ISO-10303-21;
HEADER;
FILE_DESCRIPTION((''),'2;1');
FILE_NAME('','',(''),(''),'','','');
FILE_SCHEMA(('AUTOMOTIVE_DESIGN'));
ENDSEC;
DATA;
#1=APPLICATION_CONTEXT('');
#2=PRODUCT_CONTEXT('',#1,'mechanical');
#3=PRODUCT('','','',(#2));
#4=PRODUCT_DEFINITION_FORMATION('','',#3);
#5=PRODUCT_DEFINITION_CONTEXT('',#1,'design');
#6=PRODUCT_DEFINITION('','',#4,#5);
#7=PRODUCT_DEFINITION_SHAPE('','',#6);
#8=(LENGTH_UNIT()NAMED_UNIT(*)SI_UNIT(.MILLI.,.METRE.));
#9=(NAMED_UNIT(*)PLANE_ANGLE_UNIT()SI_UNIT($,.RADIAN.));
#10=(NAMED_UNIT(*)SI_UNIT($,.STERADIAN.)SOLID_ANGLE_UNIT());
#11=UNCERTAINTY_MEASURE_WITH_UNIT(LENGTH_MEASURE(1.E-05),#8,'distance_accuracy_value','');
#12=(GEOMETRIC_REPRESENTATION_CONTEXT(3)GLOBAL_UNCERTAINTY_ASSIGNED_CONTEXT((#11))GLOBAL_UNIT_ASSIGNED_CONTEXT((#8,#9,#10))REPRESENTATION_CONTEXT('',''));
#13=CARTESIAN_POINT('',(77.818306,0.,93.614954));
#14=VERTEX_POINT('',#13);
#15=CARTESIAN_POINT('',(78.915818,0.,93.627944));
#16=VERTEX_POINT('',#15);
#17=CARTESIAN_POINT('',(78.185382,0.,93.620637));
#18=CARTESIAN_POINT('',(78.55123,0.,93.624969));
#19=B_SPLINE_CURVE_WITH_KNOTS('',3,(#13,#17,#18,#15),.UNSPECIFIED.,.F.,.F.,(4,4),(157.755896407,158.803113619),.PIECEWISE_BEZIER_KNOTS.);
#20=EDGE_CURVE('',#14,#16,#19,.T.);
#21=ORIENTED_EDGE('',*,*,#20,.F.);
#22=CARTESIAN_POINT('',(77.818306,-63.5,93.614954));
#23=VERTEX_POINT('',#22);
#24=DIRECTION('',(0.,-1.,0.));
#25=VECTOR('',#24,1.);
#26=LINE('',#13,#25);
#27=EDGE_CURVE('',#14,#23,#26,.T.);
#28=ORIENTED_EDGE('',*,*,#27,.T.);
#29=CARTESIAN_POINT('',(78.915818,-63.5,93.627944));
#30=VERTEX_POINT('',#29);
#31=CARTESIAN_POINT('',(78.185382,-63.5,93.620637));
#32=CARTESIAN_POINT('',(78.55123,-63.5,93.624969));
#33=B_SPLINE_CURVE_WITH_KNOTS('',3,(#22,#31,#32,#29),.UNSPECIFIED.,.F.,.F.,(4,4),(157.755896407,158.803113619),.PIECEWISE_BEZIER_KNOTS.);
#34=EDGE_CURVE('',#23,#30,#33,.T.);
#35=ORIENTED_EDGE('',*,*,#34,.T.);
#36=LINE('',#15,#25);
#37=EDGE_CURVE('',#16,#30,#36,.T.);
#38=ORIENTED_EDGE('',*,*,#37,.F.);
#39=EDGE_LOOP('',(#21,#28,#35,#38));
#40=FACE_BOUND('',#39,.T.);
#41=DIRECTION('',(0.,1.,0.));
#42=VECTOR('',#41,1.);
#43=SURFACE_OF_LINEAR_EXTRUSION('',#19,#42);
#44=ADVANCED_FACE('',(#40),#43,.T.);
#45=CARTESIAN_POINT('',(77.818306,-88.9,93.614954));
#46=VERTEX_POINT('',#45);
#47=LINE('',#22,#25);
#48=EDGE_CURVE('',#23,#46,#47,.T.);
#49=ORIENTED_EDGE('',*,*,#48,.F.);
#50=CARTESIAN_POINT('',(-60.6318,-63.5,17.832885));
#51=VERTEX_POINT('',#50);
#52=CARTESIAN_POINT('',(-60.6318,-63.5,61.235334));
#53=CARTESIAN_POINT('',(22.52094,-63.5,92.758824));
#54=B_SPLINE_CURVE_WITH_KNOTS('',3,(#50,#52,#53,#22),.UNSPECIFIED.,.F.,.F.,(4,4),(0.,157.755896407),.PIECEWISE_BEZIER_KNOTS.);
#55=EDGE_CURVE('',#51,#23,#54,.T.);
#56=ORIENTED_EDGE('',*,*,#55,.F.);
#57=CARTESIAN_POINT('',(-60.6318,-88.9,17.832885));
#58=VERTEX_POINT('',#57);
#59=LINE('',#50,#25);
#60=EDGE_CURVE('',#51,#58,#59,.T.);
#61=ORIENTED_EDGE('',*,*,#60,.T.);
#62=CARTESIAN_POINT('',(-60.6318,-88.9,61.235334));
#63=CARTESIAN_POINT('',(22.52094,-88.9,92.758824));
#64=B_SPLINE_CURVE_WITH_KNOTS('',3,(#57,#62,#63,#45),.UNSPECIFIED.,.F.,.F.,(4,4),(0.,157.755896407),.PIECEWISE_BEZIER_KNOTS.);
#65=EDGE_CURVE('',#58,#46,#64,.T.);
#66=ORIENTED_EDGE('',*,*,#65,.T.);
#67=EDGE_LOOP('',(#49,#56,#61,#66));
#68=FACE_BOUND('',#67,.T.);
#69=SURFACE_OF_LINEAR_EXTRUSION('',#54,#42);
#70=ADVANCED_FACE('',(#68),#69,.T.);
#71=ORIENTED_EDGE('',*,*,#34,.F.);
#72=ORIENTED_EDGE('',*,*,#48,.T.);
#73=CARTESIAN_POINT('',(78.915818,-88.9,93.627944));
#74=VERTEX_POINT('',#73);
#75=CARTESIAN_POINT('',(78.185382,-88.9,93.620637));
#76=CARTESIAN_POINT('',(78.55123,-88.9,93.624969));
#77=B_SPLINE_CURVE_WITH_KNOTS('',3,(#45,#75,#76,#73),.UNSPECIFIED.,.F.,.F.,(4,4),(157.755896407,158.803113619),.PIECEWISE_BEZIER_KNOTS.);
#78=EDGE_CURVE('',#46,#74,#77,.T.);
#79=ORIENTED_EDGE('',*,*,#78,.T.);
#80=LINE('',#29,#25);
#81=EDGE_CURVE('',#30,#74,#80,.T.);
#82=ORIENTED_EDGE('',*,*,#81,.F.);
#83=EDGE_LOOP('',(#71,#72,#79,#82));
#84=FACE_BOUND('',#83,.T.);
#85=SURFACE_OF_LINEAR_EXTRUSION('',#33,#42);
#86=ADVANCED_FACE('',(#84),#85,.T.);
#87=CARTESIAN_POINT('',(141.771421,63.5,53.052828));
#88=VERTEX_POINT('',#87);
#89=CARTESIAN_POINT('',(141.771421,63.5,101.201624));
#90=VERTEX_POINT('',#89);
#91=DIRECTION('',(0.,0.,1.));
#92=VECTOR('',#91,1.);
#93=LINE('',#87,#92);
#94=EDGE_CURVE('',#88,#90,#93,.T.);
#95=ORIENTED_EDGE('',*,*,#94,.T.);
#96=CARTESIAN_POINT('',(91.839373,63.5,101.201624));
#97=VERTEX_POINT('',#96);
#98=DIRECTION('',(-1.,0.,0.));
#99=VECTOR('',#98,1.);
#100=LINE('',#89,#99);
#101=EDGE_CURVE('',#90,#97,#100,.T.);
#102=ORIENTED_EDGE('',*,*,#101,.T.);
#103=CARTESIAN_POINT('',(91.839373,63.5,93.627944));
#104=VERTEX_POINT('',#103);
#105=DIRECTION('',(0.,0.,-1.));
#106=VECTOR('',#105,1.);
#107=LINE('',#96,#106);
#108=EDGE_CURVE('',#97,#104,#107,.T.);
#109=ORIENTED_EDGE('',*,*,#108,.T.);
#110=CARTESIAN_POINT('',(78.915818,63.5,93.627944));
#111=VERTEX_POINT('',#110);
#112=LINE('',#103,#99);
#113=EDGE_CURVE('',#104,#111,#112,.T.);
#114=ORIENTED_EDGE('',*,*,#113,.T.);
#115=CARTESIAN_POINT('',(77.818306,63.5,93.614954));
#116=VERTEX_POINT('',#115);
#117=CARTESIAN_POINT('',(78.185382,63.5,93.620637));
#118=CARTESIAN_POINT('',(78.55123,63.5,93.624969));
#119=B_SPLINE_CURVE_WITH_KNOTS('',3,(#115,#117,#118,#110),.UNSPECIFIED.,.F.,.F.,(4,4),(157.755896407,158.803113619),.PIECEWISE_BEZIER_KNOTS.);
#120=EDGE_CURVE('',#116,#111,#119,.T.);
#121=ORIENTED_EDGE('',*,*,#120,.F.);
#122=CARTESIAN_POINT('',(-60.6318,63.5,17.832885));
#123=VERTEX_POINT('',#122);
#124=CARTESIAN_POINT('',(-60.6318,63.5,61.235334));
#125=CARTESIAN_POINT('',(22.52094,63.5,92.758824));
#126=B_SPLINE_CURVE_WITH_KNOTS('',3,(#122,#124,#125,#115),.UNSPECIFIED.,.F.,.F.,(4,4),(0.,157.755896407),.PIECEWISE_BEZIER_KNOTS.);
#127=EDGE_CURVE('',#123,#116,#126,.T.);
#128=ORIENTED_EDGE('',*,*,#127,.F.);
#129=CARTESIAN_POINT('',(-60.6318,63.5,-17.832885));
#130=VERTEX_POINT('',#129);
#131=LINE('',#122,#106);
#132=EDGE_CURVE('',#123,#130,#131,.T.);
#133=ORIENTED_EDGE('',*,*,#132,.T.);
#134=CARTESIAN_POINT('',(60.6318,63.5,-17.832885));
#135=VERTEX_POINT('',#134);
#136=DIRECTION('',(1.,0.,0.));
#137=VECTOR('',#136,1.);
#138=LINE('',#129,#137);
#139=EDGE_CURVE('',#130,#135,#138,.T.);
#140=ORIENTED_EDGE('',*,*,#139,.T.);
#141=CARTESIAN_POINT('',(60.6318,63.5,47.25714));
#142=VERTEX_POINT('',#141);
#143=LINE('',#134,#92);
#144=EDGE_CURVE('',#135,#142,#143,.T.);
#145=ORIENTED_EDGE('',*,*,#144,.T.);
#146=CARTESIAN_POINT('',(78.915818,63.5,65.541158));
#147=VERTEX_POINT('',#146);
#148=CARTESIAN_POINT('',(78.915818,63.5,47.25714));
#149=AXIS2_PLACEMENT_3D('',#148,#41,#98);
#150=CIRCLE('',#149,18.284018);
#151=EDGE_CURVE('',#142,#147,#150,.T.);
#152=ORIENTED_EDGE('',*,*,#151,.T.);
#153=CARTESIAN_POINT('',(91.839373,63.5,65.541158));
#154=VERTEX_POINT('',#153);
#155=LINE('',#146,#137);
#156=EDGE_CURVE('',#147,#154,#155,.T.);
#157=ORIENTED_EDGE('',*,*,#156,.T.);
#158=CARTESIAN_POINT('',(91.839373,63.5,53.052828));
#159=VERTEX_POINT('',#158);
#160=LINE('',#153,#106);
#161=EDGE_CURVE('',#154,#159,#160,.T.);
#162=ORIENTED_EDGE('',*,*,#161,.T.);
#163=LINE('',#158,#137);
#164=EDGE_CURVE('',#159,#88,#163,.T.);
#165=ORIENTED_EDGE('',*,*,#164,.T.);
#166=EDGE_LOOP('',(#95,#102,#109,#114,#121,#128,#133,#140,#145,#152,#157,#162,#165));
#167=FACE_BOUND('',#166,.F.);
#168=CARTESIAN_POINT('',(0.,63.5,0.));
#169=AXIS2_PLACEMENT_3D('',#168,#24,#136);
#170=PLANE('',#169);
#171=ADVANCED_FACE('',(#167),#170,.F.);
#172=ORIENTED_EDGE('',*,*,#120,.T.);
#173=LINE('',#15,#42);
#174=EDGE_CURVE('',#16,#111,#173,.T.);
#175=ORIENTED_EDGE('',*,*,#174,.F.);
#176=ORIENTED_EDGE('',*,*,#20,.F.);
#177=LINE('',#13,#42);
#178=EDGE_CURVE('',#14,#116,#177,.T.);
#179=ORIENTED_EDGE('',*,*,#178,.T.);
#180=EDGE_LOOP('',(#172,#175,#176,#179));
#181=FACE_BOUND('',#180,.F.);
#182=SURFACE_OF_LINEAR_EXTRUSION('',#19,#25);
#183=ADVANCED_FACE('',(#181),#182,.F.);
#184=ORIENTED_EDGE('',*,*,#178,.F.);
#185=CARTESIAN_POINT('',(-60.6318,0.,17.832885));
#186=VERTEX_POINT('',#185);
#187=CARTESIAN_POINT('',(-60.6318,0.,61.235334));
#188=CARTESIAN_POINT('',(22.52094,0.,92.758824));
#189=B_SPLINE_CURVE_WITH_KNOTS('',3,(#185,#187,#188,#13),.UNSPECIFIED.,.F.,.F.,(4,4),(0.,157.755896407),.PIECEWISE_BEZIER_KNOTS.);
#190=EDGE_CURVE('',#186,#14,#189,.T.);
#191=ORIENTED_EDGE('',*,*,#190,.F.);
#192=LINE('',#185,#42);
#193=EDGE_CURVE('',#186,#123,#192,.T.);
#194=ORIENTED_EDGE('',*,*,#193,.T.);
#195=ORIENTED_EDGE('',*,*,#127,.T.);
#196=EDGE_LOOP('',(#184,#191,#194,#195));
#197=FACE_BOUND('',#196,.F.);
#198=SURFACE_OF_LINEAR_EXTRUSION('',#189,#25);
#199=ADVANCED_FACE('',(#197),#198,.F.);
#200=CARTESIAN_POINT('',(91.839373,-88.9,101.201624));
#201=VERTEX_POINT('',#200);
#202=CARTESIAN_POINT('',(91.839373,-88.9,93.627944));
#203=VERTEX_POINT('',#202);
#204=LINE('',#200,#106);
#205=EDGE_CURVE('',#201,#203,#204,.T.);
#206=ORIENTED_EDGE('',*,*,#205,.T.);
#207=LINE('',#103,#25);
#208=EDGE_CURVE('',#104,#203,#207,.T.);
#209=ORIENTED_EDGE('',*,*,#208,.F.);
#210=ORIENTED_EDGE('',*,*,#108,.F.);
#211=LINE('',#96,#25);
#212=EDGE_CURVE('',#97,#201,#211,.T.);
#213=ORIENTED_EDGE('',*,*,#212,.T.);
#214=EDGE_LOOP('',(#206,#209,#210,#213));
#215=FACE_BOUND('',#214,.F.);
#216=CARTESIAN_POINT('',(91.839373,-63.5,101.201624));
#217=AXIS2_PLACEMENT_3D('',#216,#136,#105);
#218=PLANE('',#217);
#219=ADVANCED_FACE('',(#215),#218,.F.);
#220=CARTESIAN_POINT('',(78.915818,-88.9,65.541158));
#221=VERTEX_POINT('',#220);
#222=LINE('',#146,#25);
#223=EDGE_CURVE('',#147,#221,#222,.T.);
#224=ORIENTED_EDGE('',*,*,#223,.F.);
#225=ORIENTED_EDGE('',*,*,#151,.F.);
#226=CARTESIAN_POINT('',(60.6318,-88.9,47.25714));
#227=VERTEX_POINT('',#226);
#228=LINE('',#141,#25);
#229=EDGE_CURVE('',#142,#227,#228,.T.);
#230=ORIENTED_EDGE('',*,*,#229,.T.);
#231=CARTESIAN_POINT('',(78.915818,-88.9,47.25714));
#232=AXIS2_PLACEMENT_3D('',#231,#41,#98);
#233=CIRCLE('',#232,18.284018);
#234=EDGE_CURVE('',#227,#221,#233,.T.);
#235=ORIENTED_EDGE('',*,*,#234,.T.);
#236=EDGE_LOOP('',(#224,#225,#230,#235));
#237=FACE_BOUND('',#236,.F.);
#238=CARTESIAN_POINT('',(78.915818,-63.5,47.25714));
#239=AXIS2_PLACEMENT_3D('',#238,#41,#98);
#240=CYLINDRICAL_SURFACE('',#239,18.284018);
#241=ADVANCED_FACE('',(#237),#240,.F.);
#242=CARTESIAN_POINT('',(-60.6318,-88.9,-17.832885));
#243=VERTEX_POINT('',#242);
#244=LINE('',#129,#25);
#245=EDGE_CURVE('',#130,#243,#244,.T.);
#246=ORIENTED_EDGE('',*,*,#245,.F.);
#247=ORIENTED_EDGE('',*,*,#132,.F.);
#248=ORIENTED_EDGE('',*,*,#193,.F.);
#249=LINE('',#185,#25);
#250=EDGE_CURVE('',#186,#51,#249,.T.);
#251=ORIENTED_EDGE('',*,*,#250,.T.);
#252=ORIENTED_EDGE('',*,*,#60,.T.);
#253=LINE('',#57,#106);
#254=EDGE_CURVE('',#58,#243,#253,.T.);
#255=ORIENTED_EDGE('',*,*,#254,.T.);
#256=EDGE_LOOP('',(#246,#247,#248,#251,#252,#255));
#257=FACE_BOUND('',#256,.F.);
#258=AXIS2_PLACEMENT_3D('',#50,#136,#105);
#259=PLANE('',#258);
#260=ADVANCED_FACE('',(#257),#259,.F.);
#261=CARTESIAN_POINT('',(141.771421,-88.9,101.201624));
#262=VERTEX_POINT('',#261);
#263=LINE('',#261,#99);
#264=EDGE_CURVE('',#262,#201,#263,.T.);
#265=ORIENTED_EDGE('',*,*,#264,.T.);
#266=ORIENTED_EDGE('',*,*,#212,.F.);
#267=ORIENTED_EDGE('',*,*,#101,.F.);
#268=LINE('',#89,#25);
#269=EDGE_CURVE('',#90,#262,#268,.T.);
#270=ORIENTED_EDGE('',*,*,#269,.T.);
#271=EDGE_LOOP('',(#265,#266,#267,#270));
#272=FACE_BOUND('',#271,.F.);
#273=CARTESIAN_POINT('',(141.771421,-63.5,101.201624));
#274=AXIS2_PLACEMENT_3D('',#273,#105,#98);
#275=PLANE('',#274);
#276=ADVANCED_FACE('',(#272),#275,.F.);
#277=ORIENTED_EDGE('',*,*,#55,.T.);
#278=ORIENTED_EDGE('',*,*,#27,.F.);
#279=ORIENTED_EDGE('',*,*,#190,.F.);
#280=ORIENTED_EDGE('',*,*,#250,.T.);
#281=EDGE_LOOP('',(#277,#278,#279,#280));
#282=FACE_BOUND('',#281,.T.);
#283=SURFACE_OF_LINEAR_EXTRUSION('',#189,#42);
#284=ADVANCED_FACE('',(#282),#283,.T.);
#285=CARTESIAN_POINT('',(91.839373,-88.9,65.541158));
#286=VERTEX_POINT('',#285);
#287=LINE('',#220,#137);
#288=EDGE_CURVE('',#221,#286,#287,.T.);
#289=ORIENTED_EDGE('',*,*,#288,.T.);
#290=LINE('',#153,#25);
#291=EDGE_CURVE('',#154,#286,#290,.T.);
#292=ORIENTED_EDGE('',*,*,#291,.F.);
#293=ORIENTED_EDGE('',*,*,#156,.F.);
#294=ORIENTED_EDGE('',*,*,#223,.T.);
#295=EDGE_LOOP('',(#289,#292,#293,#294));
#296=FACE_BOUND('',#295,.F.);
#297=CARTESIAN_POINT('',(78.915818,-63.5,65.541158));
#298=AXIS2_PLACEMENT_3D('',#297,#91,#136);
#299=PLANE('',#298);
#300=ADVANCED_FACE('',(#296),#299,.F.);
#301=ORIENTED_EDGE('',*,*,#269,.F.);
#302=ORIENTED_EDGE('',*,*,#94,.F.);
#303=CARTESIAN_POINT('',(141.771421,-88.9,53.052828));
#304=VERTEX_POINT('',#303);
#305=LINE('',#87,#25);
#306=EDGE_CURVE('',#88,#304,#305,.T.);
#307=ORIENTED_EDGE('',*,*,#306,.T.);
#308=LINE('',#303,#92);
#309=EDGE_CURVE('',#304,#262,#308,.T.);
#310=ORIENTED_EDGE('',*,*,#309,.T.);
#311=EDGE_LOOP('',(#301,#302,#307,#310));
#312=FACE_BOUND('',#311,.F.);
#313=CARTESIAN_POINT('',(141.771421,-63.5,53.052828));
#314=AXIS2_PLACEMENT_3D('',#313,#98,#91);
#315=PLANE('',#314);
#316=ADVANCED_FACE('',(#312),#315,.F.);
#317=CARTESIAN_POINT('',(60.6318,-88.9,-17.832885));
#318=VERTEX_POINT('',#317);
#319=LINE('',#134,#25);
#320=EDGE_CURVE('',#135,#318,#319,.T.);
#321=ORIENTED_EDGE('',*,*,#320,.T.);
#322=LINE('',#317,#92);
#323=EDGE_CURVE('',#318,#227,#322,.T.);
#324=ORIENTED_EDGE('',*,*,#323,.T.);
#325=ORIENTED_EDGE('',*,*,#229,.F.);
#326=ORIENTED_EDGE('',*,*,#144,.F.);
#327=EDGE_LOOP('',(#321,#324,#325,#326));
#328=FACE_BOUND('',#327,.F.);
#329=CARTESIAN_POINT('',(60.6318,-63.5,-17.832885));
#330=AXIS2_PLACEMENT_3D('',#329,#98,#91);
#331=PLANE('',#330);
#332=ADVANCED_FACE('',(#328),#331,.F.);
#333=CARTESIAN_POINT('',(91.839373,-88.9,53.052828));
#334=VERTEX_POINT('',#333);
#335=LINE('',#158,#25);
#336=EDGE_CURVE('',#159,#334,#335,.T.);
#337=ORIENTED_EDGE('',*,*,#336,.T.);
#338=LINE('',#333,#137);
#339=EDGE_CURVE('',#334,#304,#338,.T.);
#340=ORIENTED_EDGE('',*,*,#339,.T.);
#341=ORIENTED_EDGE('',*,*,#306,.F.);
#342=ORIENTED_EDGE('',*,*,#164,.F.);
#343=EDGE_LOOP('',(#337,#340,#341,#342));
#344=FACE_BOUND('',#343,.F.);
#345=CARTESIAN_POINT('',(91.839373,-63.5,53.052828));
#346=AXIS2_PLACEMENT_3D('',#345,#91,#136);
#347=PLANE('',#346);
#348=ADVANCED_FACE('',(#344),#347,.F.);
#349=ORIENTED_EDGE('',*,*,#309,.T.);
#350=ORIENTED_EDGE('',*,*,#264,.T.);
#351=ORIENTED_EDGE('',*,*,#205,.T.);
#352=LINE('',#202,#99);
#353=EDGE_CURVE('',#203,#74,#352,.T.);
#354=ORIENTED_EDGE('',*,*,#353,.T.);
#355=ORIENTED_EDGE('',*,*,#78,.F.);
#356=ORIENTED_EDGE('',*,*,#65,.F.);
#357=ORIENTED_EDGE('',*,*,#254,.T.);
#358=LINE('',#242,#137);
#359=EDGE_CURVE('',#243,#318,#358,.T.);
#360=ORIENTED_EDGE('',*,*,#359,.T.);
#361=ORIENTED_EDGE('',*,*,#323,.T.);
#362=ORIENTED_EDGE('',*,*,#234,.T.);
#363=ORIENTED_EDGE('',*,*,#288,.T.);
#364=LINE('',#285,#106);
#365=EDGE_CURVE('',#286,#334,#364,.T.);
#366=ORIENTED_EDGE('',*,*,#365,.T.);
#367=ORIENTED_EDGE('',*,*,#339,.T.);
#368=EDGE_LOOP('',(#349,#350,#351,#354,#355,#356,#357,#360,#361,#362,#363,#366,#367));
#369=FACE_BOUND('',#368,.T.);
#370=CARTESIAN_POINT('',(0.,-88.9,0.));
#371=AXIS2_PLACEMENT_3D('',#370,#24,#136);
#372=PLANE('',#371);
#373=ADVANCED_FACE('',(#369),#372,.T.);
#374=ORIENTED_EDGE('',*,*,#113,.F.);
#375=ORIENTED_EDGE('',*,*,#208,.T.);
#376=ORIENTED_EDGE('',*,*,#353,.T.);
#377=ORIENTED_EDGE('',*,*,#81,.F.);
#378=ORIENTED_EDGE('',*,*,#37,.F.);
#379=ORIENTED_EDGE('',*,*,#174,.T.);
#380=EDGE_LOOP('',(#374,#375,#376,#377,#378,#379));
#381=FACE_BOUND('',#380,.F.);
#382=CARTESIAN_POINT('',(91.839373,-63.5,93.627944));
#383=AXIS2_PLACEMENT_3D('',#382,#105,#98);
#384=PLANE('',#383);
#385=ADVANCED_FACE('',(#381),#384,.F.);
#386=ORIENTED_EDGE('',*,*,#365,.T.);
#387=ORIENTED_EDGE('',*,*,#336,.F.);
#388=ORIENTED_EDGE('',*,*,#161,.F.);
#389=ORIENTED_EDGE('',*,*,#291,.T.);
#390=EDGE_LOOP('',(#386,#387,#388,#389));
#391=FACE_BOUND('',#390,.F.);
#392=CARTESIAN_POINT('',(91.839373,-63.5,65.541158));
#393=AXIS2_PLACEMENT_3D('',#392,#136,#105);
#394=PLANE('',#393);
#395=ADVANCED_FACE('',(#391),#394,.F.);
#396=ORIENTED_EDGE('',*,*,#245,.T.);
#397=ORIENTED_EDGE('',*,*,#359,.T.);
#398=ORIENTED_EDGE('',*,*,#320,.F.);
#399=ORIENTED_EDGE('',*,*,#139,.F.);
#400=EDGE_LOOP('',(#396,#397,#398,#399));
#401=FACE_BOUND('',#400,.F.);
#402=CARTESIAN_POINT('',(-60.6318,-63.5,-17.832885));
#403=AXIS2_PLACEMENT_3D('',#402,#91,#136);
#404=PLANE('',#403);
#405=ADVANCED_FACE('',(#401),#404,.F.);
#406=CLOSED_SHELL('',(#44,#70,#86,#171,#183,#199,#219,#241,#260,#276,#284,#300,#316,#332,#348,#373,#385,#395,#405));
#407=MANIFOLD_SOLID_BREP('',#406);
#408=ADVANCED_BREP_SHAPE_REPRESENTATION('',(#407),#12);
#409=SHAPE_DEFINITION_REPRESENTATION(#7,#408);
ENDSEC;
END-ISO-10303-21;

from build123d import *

# Parameters (mm, degrees)
F1_DEPTH = 63.5
F2_DEPTH = 25.4


with BuildPart() as f1:
    # F0 (on Front) → F1 (new body, symmetric)
    with BuildSketch(Plane.XZ):
        Polygon((32.5450152159, 17.832884565), (-60.6318004429, 17.832884565), (-60.6318004429, -17.832884565), (60.6318004429, -17.832884565), (60.6318004429, 17.832884565), align=None)
        with BuildLine():
            add(Edge.make_bspline(
                [(-60.6318004429, 17.832884565), (-60.6318004429, 61.2353339805), (22.5209403524, 92.7588235763), (77.8183062777, 93.6149536292)],
                knots=[0, 0, 0, 0, 157.7558964073, 157.7558964073, 157.7558964073, 157.7558964073], degree=3))
            Line((-60.6318004429, 17.832884565), (32.5450152159, 17.832884565))
            Line((32.5450152159, 17.832884565), (32.5450152159, 47.2571402788))
            ThreePointArc((32.5450152159, 47.2571402788), (45.7409490947, 79.6558969764), (77.8183062777, 93.6149536292))
        make_face()
        with BuildLine():
            Line((32.5450152159, 47.2571402788), (32.5450152159, 17.832884565))
            Line((32.5450152159, 17.832884565), (60.6318004429, 17.832884565))
            Line((60.6318004429, 17.832884565), (60.6318004429, 47.2571402788))
            ThreePointArc((60.6318004429, 47.2571402788), (65.9870653267, 60.1858933913), (78.9158184392, 65.5411582751))
            Line((78.9158184392, 65.5411582751), (91.8393731117, 65.5411582751))
            Line((91.8393731117, 65.5411582751), (91.8393731117, 93.6279435021))
            Line((91.8393731117, 93.6279435021), (78.9158184392, 93.6279435021))
            add(Edge.make_bspline(
                [(77.8183062777, 93.6149536292), (78.1853819601, 93.6206368027), (78.5512301713, 93.6249685923), (78.9158184392, 93.6279435021)],
                knots=[157.7558964073, 157.7558964073, 157.7558964073, 157.7558964073, 158.8031136186, 158.8031136186, 158.8031136186, 158.8031136186], degree=3))
            ThreePointArc((77.8183062777, 93.6149536292), (45.7409490947, 79.6558969764), (32.5450152159, 47.2571402788))
        make_face()
        Polygon((91.8393731117, 101.2016236782), (91.8393731117, 93.6279435021), (91.8393731117, 65.5411582751), (91.8393731117, 53.0528277159), (116.8053969741, 53.0528277159), (115.8868363911, 101.2016236782), align=None)
        Polygon((141.7714208364, 101.2016236782), (115.8868363911, 101.2016236782), (116.8053969741, 53.0528277159), (141.7714208364, 53.0528277159), align=None)
    extrude(amount=F1_DEPTH, both=True)

    # F2 (add): a face of the model
    f2_faces = [f1.faces().sort_by_distance(p)[0] for p in [
        (29.5018045328, -63.5, 40.2654083308),
    ]]
    extrude(f2_faces, amount=F2_DEPTH)


solid = f1.part
